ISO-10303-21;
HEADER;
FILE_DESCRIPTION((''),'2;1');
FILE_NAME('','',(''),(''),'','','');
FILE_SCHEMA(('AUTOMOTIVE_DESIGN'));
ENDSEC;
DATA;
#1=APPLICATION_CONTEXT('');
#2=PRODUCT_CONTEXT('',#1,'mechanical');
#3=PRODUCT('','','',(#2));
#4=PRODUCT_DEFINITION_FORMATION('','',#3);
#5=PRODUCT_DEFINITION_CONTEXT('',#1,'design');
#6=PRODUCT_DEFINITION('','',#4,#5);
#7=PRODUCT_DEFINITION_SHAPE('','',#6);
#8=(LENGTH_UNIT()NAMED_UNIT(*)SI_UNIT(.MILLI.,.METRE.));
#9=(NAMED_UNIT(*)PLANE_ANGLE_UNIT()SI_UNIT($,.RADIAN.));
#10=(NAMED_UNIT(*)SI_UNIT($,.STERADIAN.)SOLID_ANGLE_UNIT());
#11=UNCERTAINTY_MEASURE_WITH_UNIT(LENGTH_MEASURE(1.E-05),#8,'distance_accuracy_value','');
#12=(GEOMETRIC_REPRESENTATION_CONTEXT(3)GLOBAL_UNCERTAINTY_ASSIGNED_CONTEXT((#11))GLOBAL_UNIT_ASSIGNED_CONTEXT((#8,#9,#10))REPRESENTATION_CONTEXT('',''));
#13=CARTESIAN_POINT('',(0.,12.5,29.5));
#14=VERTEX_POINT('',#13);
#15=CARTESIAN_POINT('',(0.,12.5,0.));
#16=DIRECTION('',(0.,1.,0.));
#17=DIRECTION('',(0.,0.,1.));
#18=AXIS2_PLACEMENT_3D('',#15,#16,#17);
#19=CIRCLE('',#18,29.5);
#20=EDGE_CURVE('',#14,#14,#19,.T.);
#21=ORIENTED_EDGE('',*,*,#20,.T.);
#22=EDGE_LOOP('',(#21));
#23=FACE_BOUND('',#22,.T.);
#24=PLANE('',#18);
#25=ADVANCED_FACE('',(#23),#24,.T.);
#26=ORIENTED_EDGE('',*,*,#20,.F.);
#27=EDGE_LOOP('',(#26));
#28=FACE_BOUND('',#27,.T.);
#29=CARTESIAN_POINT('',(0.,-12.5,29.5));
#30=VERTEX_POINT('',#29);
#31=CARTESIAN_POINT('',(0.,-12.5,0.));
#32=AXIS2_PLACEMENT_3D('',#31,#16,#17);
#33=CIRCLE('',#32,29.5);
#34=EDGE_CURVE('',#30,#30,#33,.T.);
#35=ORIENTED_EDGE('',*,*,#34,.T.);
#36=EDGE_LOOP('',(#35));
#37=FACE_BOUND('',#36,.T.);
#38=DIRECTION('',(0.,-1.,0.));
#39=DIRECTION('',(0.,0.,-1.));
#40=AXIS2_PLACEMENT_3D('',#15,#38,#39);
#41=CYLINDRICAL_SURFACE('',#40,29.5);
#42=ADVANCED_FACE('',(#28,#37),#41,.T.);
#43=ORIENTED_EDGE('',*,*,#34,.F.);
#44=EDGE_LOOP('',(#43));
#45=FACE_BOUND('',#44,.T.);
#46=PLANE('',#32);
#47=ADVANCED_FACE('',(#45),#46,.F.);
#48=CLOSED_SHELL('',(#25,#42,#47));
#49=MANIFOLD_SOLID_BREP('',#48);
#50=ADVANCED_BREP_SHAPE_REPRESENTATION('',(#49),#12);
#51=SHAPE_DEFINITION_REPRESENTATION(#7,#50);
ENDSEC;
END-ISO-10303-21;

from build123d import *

# Parameters (mm, degrees)
SKETCH1_R           = 29.5
BOSS_EXTRUDE1_DEPTH = 12.5


with BuildPart() as part:
    # Sketch1 → Boss-Extrude1 (new body, symmetric)
    with BuildSketch(Plane(origin=(0, 0, 0), x_dir=(1, 0, 0), z_dir=(0, 1, 0))):
        Circle(SKETCH1_R)
    extrude(amount=BOSS_EXTRUDE1_DEPTH, both=True)


solid = part.part
